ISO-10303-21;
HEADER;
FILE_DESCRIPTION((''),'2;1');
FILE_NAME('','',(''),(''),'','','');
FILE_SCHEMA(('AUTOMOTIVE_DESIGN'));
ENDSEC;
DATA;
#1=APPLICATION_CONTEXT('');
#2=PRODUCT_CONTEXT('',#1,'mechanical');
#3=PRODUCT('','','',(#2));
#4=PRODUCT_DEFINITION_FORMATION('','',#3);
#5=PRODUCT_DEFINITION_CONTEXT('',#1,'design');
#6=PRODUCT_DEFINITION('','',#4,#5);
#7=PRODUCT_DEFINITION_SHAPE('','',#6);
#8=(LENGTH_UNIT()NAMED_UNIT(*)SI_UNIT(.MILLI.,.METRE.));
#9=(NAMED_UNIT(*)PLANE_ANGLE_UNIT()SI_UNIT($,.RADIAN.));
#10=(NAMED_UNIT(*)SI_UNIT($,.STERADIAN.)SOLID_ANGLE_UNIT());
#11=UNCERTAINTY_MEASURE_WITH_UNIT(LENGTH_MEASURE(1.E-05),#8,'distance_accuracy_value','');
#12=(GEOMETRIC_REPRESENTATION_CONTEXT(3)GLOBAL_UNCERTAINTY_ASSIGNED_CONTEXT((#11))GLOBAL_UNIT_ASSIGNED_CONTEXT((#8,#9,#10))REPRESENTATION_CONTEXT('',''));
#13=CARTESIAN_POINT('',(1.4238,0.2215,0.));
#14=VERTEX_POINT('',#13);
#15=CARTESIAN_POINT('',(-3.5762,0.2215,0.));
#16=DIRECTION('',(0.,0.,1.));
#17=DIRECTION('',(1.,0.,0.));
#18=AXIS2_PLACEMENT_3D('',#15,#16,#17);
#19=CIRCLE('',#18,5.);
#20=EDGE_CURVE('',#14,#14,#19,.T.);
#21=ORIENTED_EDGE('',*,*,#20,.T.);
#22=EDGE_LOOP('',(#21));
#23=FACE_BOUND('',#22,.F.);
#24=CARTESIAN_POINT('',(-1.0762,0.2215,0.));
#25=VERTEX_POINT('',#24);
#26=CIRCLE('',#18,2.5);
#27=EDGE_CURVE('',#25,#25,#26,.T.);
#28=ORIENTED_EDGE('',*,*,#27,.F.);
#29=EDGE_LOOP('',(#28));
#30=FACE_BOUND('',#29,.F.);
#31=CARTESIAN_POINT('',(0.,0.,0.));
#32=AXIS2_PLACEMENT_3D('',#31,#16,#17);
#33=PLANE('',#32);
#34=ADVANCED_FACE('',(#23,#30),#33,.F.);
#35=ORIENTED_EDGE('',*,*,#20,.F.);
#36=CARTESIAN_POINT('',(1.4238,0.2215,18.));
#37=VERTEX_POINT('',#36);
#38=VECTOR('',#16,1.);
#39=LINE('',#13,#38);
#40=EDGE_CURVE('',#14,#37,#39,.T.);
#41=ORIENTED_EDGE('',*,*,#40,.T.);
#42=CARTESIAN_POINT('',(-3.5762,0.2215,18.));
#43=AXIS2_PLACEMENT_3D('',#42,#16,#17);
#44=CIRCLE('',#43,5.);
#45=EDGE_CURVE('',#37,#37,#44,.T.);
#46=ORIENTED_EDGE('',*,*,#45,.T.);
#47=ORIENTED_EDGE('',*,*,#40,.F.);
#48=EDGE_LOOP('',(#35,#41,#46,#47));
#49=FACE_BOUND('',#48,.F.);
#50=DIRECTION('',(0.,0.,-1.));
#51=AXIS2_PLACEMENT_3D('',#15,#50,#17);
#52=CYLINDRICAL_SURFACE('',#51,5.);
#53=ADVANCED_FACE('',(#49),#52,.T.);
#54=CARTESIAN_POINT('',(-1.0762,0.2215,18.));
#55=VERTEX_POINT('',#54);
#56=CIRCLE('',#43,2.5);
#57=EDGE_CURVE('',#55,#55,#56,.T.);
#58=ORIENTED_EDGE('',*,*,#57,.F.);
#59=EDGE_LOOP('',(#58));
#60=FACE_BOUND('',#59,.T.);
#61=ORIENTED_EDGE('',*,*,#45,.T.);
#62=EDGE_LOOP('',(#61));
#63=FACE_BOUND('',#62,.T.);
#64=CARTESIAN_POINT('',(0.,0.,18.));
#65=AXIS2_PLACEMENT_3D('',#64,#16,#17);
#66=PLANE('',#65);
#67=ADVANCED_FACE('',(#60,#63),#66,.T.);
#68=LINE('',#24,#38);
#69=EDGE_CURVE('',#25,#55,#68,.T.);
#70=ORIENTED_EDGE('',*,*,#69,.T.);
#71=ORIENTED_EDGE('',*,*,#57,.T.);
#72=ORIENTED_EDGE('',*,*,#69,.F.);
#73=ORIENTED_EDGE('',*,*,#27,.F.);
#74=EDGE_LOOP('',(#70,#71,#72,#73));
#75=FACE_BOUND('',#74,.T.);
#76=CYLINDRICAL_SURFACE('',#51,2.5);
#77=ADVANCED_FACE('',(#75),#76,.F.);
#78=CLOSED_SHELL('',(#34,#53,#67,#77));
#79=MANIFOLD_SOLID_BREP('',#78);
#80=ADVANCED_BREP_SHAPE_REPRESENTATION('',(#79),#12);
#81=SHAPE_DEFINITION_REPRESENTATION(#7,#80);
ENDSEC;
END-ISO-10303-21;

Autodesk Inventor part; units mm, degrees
ref_plane "YZ Plane" through (0, 0, 0) normal (1, 0, 0) x (0, 1, 0)
ref_plane "XZ Plane" through (0, 0, 0) normal (0, 1, 0) x (-1, 0, 0)
sketch "Sketch1" plane through (0, 0, 0) normal (0, 0, 1) x (1, 0, 0)
  circle A0 centre (-3.5762, 0.2215) radius 2.5 construction
  circle A1 centre (-3.5762, 0.2215) radius 2.5
  circle A2 centre (-3.5762, 0.2215) radius 5
  point P0 (0, 0)
  dimension "d0" = 5
  dimension "d1" = 10
ref_plane "Work Plane1" through (-65.0762, -12.7785, 18) normal (0, 0, -1) x (0, 1, 0)
extrude "Extrusion1" add sketch "Sketch1" along normal up to surface (18 mm away)
properties part number "STANDOFF"
